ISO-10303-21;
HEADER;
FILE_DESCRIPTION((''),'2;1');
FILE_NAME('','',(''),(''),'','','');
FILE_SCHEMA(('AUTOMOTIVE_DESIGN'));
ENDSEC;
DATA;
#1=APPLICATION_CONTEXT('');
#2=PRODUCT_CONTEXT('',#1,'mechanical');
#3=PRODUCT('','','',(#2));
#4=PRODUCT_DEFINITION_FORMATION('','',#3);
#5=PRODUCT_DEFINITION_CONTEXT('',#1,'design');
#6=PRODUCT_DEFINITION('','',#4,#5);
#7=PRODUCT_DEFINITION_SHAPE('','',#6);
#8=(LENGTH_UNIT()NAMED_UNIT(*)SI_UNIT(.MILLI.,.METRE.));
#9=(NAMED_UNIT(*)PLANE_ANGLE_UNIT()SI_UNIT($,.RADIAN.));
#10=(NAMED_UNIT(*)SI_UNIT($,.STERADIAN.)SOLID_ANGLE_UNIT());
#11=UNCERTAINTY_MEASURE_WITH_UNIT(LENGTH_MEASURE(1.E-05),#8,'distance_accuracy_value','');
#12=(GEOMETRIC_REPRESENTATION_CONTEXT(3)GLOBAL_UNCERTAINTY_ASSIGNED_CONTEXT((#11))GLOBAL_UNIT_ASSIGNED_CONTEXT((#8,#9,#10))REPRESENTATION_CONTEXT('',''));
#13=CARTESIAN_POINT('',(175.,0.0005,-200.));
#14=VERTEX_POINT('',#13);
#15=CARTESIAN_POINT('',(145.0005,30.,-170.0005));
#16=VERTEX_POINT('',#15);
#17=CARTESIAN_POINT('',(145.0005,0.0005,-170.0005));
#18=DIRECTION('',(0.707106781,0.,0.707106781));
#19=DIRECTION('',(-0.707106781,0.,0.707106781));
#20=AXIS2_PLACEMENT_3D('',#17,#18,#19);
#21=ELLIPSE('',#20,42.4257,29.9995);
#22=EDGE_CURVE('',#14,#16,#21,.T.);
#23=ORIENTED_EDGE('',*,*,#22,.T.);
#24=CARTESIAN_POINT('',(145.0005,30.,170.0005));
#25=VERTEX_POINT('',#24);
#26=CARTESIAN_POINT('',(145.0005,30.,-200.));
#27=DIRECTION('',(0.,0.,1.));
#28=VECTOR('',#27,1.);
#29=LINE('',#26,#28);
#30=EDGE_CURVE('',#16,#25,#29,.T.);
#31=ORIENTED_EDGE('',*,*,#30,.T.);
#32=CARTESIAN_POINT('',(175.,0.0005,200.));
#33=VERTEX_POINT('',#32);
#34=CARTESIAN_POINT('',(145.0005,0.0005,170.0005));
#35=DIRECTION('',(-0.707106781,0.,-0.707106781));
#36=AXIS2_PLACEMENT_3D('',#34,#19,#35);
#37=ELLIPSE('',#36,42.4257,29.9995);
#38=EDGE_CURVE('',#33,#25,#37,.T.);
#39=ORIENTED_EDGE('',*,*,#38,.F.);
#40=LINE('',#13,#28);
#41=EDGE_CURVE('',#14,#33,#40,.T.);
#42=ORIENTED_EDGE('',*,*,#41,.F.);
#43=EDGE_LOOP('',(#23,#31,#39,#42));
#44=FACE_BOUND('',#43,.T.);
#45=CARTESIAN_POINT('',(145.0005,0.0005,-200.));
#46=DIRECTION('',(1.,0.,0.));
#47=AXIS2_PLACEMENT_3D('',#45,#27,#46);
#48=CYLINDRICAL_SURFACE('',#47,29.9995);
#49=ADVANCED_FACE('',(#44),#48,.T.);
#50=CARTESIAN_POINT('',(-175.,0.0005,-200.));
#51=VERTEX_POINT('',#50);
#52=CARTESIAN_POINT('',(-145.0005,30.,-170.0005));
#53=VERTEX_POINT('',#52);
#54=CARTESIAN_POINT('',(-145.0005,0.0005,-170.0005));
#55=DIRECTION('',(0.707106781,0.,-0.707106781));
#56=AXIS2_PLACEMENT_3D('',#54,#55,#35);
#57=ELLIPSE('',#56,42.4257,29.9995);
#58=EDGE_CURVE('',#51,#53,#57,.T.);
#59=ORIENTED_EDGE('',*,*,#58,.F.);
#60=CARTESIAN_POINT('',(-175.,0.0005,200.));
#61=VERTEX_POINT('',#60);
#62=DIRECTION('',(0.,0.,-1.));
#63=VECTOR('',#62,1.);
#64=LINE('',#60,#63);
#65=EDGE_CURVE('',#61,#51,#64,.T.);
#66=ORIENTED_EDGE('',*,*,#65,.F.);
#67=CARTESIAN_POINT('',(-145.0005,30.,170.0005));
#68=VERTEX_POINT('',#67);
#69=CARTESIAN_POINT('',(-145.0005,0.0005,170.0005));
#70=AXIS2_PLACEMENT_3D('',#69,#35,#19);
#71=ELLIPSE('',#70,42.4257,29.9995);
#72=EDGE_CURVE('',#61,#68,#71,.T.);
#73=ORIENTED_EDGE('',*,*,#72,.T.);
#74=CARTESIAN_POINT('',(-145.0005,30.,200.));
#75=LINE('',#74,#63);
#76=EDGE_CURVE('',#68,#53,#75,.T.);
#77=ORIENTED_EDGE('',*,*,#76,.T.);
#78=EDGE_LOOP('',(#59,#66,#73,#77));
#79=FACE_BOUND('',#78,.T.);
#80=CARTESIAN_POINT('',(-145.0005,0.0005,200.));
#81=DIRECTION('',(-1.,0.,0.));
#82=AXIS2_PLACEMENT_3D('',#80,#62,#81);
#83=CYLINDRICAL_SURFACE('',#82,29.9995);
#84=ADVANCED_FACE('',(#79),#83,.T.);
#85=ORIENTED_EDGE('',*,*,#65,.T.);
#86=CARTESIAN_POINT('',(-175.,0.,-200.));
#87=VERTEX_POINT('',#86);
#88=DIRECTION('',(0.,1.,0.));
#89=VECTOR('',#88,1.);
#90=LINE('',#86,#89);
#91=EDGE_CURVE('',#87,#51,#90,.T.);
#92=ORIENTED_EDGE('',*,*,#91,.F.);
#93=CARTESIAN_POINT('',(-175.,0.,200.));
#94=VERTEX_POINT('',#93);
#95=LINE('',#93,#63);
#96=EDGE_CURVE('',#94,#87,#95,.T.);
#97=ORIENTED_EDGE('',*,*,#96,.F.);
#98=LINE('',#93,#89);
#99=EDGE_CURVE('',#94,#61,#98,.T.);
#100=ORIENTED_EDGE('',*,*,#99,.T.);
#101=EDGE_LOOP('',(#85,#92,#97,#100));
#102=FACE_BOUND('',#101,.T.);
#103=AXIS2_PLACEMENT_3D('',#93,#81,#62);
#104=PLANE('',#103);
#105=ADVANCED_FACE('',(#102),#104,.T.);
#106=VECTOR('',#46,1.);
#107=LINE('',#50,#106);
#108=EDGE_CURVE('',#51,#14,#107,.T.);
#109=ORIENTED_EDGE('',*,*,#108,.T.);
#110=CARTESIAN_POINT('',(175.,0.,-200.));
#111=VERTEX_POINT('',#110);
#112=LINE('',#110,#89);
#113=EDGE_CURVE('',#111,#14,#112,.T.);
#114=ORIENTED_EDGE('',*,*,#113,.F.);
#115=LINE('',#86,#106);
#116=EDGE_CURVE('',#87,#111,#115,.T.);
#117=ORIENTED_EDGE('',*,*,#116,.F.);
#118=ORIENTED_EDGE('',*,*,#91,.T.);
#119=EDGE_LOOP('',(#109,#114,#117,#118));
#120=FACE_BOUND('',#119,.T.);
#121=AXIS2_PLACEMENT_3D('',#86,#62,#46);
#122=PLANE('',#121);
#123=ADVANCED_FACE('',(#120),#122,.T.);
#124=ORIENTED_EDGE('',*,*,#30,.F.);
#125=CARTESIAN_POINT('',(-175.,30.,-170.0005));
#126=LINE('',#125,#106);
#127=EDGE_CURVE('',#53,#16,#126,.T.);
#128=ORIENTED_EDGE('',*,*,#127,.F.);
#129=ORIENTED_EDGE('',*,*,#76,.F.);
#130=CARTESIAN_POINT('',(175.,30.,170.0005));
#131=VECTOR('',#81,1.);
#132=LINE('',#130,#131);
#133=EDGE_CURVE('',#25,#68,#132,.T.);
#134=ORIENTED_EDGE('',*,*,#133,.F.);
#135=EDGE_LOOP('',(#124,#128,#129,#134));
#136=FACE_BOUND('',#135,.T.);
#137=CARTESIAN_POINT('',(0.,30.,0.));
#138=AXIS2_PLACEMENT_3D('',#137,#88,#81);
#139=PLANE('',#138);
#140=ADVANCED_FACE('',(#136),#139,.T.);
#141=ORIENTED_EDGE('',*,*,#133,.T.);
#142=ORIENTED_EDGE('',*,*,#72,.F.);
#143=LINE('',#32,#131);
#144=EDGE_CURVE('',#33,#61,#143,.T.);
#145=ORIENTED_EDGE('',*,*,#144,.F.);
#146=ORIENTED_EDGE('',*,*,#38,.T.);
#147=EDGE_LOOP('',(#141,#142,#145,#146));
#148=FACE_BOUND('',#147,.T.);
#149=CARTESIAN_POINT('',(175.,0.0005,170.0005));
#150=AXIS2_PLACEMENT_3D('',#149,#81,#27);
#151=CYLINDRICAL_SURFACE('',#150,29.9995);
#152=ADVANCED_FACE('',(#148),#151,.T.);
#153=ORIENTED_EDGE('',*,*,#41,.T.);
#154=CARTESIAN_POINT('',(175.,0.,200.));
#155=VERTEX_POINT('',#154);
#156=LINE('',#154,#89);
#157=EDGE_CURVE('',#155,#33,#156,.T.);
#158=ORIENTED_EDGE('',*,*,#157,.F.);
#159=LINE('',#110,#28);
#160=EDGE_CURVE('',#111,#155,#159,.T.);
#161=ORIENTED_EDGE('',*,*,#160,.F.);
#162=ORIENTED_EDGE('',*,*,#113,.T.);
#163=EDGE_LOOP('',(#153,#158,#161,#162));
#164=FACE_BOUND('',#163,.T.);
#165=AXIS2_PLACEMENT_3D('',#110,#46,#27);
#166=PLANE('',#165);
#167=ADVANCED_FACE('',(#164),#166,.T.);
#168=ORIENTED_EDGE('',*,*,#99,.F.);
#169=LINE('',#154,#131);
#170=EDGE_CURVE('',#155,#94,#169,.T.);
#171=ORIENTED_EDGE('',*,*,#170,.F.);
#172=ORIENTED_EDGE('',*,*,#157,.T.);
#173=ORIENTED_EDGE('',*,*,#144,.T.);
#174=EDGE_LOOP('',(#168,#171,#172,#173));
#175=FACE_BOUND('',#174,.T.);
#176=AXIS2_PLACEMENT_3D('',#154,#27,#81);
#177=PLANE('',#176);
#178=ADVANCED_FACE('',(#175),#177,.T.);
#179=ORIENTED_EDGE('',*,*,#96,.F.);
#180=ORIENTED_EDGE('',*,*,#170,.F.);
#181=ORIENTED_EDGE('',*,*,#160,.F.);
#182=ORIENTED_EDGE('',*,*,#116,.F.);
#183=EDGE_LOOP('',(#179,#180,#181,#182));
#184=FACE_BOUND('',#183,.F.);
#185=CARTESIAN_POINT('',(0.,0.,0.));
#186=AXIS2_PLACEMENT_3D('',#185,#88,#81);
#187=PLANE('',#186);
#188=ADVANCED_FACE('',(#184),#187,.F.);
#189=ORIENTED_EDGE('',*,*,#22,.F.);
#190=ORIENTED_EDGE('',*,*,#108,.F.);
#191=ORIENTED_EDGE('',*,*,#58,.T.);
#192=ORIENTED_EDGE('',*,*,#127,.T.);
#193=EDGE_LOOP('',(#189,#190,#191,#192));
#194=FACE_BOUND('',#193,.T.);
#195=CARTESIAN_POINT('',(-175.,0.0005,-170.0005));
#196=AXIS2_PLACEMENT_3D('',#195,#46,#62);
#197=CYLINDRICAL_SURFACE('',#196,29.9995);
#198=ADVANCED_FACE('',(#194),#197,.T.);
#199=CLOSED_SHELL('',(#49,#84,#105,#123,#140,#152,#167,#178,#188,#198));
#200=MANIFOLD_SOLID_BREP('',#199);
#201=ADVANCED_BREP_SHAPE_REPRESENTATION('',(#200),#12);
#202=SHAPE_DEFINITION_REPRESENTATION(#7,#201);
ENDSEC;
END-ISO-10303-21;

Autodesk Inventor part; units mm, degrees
ref_plane "YZ Plane" through (0, 0, 0) normal (1, 0, 0) x (0, 1, 0)
ref_plane "XZ Plane" through (0, 0, 0) normal (0, 1, 0) x (-1, 0, 0)
ref_plane "XY Plane" through (0, 0, 0) normal (0, 0, 1) x (1, 0, 0)
sketch "Sketch1" plane through (0, 0, 0) normal (0, 1, 0) x (-1, 0, 0)
  line L0 (-175, 200) -> (175, 200)
  line L1 (175, 200) -> (175, -200)
  line L2 (175, -200) -> (-175, -200)
  line L3 (-175, -200) -> (-175, 200)
  line L4 (-175, 200) -> (175, -200) construction
  line L5 (175, 200) -> (-175, -200) construction
  point P0 (0, 0)
  dimension "d0" = 350
  dimension "d1" = 400
extrude "Extrusion1" add sketch "Sketch1" along normal blind 30
fillet "Fillet1" radius 30 4 edges at (0, 30, 200) (-175, 30, 0) (175, 30, 0) (0, 30, -200)
